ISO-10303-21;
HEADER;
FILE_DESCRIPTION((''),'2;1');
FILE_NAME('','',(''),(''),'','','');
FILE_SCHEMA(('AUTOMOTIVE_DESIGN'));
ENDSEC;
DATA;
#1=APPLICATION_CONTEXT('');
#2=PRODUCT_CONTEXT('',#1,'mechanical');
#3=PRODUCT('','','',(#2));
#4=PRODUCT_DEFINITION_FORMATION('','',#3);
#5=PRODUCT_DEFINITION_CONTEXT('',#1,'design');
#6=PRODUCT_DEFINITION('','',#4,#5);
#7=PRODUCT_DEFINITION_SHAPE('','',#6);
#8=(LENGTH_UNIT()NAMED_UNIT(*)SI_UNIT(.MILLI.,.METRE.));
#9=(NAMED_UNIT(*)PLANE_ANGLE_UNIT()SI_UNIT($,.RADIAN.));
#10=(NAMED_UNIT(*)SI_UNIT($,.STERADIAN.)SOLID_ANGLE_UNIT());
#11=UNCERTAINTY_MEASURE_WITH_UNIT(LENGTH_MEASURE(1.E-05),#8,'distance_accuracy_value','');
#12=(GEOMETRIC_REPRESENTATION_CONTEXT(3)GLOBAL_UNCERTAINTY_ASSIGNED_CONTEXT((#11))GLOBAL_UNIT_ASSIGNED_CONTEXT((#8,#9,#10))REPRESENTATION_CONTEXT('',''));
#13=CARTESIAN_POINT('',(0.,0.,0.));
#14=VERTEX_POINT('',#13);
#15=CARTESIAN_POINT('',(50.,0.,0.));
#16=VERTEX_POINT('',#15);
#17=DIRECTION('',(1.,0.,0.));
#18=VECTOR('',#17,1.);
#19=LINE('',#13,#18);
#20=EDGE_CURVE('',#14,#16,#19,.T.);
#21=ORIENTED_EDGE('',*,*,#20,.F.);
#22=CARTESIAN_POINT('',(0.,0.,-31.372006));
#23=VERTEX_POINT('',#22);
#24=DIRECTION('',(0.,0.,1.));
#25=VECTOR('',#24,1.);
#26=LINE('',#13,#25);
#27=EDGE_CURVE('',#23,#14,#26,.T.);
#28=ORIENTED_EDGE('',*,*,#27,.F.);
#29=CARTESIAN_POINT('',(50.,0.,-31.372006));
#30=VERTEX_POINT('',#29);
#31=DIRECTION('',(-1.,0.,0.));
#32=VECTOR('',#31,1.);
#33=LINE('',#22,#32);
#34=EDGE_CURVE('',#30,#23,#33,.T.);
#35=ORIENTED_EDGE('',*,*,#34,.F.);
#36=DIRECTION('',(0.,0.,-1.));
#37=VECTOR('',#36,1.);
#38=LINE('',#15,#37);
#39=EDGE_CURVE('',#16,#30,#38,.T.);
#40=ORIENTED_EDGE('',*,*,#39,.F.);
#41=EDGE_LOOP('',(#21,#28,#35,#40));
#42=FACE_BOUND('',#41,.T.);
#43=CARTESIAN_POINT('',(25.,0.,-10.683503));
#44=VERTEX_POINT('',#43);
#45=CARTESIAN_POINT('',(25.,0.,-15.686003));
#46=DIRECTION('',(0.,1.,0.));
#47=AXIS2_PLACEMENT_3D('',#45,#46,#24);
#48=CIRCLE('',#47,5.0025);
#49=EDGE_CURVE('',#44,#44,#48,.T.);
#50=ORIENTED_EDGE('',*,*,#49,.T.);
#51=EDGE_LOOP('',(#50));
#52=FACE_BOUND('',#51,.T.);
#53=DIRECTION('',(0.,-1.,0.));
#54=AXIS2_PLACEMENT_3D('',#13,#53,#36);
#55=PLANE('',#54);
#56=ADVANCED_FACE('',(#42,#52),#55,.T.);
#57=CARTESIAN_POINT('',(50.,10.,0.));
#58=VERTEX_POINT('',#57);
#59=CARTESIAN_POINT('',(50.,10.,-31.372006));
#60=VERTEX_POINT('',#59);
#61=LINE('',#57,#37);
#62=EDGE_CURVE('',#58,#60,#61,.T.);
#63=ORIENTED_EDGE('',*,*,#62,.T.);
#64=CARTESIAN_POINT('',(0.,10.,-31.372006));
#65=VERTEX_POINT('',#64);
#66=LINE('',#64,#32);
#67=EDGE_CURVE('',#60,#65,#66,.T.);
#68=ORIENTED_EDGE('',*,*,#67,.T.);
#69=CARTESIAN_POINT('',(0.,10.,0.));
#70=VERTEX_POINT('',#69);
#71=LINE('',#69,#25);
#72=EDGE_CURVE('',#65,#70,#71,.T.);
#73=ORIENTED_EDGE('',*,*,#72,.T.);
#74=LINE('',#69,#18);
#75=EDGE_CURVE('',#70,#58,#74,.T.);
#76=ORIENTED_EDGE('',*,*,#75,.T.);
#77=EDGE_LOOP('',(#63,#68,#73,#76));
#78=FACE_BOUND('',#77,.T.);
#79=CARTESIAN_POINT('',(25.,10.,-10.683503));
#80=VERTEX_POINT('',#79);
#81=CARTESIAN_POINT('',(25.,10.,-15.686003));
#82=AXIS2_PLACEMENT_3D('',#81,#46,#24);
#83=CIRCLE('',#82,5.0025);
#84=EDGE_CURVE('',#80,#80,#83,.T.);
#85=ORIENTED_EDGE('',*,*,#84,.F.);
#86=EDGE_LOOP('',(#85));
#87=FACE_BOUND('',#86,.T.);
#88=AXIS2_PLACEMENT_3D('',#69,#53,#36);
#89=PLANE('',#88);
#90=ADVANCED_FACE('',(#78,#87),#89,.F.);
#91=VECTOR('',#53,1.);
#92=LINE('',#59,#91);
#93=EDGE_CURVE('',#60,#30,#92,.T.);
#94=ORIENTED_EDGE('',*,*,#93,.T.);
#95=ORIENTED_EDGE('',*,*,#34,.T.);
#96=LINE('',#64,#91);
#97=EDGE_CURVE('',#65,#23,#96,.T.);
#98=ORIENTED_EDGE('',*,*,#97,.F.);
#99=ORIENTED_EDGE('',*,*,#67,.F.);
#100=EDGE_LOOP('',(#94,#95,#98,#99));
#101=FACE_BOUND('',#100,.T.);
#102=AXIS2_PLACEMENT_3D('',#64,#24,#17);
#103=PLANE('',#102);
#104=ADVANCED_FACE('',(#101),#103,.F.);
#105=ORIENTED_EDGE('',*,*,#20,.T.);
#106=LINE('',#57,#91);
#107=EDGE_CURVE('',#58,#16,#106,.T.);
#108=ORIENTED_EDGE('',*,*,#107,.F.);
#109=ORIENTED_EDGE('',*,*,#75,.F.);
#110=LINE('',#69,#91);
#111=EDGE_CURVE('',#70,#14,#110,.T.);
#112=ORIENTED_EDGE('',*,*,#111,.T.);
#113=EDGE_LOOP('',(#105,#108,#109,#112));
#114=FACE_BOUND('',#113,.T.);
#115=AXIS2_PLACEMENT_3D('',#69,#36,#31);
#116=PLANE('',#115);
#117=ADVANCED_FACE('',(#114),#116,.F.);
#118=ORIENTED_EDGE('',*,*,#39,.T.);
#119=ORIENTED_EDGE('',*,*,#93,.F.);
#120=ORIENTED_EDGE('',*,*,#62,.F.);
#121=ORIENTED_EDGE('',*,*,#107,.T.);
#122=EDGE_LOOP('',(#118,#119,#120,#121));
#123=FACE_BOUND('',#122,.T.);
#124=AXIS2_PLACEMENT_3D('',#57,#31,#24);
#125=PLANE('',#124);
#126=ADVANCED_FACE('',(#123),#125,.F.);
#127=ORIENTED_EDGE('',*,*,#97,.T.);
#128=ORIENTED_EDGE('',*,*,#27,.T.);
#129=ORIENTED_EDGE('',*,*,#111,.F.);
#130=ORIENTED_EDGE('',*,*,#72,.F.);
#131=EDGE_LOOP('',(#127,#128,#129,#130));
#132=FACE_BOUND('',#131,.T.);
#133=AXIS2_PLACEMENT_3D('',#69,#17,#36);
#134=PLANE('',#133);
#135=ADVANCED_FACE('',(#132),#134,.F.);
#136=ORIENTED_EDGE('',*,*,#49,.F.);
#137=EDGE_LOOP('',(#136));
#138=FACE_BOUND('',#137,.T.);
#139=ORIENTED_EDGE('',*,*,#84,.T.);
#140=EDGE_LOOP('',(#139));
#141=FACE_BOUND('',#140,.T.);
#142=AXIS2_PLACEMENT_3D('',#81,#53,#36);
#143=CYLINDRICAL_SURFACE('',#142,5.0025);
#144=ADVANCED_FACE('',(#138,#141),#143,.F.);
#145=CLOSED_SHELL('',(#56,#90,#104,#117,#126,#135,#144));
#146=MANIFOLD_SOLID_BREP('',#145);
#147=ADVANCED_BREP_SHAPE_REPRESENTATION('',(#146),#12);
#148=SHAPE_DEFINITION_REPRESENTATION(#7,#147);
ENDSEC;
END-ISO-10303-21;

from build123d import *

# Parameters (mm, degrees)
SKETCH1_W           = 50
SKETCH1_H           = 31.372005626
SKETCH1_R           = 5.0025
BOSS_EXTRUDE1_DEPTH = 10


with BuildPart() as part:
    # Sketch1 → Boss-Extrude1 (new body)
    with BuildSketch(Plane(origin=(0, 0, 0), x_dir=(1, 0, 0), z_dir=(0, 1, 0))):
        with Locations((25, 15.686002813)):
            Rectangle(SKETCH1_W, SKETCH1_H)
        with Locations((25, 15.686002813)):
            Circle(SKETCH1_R, mode=Mode.SUBTRACT)
    extrude(amount=BOSS_EXTRUDE1_DEPTH)


solid = part.part
